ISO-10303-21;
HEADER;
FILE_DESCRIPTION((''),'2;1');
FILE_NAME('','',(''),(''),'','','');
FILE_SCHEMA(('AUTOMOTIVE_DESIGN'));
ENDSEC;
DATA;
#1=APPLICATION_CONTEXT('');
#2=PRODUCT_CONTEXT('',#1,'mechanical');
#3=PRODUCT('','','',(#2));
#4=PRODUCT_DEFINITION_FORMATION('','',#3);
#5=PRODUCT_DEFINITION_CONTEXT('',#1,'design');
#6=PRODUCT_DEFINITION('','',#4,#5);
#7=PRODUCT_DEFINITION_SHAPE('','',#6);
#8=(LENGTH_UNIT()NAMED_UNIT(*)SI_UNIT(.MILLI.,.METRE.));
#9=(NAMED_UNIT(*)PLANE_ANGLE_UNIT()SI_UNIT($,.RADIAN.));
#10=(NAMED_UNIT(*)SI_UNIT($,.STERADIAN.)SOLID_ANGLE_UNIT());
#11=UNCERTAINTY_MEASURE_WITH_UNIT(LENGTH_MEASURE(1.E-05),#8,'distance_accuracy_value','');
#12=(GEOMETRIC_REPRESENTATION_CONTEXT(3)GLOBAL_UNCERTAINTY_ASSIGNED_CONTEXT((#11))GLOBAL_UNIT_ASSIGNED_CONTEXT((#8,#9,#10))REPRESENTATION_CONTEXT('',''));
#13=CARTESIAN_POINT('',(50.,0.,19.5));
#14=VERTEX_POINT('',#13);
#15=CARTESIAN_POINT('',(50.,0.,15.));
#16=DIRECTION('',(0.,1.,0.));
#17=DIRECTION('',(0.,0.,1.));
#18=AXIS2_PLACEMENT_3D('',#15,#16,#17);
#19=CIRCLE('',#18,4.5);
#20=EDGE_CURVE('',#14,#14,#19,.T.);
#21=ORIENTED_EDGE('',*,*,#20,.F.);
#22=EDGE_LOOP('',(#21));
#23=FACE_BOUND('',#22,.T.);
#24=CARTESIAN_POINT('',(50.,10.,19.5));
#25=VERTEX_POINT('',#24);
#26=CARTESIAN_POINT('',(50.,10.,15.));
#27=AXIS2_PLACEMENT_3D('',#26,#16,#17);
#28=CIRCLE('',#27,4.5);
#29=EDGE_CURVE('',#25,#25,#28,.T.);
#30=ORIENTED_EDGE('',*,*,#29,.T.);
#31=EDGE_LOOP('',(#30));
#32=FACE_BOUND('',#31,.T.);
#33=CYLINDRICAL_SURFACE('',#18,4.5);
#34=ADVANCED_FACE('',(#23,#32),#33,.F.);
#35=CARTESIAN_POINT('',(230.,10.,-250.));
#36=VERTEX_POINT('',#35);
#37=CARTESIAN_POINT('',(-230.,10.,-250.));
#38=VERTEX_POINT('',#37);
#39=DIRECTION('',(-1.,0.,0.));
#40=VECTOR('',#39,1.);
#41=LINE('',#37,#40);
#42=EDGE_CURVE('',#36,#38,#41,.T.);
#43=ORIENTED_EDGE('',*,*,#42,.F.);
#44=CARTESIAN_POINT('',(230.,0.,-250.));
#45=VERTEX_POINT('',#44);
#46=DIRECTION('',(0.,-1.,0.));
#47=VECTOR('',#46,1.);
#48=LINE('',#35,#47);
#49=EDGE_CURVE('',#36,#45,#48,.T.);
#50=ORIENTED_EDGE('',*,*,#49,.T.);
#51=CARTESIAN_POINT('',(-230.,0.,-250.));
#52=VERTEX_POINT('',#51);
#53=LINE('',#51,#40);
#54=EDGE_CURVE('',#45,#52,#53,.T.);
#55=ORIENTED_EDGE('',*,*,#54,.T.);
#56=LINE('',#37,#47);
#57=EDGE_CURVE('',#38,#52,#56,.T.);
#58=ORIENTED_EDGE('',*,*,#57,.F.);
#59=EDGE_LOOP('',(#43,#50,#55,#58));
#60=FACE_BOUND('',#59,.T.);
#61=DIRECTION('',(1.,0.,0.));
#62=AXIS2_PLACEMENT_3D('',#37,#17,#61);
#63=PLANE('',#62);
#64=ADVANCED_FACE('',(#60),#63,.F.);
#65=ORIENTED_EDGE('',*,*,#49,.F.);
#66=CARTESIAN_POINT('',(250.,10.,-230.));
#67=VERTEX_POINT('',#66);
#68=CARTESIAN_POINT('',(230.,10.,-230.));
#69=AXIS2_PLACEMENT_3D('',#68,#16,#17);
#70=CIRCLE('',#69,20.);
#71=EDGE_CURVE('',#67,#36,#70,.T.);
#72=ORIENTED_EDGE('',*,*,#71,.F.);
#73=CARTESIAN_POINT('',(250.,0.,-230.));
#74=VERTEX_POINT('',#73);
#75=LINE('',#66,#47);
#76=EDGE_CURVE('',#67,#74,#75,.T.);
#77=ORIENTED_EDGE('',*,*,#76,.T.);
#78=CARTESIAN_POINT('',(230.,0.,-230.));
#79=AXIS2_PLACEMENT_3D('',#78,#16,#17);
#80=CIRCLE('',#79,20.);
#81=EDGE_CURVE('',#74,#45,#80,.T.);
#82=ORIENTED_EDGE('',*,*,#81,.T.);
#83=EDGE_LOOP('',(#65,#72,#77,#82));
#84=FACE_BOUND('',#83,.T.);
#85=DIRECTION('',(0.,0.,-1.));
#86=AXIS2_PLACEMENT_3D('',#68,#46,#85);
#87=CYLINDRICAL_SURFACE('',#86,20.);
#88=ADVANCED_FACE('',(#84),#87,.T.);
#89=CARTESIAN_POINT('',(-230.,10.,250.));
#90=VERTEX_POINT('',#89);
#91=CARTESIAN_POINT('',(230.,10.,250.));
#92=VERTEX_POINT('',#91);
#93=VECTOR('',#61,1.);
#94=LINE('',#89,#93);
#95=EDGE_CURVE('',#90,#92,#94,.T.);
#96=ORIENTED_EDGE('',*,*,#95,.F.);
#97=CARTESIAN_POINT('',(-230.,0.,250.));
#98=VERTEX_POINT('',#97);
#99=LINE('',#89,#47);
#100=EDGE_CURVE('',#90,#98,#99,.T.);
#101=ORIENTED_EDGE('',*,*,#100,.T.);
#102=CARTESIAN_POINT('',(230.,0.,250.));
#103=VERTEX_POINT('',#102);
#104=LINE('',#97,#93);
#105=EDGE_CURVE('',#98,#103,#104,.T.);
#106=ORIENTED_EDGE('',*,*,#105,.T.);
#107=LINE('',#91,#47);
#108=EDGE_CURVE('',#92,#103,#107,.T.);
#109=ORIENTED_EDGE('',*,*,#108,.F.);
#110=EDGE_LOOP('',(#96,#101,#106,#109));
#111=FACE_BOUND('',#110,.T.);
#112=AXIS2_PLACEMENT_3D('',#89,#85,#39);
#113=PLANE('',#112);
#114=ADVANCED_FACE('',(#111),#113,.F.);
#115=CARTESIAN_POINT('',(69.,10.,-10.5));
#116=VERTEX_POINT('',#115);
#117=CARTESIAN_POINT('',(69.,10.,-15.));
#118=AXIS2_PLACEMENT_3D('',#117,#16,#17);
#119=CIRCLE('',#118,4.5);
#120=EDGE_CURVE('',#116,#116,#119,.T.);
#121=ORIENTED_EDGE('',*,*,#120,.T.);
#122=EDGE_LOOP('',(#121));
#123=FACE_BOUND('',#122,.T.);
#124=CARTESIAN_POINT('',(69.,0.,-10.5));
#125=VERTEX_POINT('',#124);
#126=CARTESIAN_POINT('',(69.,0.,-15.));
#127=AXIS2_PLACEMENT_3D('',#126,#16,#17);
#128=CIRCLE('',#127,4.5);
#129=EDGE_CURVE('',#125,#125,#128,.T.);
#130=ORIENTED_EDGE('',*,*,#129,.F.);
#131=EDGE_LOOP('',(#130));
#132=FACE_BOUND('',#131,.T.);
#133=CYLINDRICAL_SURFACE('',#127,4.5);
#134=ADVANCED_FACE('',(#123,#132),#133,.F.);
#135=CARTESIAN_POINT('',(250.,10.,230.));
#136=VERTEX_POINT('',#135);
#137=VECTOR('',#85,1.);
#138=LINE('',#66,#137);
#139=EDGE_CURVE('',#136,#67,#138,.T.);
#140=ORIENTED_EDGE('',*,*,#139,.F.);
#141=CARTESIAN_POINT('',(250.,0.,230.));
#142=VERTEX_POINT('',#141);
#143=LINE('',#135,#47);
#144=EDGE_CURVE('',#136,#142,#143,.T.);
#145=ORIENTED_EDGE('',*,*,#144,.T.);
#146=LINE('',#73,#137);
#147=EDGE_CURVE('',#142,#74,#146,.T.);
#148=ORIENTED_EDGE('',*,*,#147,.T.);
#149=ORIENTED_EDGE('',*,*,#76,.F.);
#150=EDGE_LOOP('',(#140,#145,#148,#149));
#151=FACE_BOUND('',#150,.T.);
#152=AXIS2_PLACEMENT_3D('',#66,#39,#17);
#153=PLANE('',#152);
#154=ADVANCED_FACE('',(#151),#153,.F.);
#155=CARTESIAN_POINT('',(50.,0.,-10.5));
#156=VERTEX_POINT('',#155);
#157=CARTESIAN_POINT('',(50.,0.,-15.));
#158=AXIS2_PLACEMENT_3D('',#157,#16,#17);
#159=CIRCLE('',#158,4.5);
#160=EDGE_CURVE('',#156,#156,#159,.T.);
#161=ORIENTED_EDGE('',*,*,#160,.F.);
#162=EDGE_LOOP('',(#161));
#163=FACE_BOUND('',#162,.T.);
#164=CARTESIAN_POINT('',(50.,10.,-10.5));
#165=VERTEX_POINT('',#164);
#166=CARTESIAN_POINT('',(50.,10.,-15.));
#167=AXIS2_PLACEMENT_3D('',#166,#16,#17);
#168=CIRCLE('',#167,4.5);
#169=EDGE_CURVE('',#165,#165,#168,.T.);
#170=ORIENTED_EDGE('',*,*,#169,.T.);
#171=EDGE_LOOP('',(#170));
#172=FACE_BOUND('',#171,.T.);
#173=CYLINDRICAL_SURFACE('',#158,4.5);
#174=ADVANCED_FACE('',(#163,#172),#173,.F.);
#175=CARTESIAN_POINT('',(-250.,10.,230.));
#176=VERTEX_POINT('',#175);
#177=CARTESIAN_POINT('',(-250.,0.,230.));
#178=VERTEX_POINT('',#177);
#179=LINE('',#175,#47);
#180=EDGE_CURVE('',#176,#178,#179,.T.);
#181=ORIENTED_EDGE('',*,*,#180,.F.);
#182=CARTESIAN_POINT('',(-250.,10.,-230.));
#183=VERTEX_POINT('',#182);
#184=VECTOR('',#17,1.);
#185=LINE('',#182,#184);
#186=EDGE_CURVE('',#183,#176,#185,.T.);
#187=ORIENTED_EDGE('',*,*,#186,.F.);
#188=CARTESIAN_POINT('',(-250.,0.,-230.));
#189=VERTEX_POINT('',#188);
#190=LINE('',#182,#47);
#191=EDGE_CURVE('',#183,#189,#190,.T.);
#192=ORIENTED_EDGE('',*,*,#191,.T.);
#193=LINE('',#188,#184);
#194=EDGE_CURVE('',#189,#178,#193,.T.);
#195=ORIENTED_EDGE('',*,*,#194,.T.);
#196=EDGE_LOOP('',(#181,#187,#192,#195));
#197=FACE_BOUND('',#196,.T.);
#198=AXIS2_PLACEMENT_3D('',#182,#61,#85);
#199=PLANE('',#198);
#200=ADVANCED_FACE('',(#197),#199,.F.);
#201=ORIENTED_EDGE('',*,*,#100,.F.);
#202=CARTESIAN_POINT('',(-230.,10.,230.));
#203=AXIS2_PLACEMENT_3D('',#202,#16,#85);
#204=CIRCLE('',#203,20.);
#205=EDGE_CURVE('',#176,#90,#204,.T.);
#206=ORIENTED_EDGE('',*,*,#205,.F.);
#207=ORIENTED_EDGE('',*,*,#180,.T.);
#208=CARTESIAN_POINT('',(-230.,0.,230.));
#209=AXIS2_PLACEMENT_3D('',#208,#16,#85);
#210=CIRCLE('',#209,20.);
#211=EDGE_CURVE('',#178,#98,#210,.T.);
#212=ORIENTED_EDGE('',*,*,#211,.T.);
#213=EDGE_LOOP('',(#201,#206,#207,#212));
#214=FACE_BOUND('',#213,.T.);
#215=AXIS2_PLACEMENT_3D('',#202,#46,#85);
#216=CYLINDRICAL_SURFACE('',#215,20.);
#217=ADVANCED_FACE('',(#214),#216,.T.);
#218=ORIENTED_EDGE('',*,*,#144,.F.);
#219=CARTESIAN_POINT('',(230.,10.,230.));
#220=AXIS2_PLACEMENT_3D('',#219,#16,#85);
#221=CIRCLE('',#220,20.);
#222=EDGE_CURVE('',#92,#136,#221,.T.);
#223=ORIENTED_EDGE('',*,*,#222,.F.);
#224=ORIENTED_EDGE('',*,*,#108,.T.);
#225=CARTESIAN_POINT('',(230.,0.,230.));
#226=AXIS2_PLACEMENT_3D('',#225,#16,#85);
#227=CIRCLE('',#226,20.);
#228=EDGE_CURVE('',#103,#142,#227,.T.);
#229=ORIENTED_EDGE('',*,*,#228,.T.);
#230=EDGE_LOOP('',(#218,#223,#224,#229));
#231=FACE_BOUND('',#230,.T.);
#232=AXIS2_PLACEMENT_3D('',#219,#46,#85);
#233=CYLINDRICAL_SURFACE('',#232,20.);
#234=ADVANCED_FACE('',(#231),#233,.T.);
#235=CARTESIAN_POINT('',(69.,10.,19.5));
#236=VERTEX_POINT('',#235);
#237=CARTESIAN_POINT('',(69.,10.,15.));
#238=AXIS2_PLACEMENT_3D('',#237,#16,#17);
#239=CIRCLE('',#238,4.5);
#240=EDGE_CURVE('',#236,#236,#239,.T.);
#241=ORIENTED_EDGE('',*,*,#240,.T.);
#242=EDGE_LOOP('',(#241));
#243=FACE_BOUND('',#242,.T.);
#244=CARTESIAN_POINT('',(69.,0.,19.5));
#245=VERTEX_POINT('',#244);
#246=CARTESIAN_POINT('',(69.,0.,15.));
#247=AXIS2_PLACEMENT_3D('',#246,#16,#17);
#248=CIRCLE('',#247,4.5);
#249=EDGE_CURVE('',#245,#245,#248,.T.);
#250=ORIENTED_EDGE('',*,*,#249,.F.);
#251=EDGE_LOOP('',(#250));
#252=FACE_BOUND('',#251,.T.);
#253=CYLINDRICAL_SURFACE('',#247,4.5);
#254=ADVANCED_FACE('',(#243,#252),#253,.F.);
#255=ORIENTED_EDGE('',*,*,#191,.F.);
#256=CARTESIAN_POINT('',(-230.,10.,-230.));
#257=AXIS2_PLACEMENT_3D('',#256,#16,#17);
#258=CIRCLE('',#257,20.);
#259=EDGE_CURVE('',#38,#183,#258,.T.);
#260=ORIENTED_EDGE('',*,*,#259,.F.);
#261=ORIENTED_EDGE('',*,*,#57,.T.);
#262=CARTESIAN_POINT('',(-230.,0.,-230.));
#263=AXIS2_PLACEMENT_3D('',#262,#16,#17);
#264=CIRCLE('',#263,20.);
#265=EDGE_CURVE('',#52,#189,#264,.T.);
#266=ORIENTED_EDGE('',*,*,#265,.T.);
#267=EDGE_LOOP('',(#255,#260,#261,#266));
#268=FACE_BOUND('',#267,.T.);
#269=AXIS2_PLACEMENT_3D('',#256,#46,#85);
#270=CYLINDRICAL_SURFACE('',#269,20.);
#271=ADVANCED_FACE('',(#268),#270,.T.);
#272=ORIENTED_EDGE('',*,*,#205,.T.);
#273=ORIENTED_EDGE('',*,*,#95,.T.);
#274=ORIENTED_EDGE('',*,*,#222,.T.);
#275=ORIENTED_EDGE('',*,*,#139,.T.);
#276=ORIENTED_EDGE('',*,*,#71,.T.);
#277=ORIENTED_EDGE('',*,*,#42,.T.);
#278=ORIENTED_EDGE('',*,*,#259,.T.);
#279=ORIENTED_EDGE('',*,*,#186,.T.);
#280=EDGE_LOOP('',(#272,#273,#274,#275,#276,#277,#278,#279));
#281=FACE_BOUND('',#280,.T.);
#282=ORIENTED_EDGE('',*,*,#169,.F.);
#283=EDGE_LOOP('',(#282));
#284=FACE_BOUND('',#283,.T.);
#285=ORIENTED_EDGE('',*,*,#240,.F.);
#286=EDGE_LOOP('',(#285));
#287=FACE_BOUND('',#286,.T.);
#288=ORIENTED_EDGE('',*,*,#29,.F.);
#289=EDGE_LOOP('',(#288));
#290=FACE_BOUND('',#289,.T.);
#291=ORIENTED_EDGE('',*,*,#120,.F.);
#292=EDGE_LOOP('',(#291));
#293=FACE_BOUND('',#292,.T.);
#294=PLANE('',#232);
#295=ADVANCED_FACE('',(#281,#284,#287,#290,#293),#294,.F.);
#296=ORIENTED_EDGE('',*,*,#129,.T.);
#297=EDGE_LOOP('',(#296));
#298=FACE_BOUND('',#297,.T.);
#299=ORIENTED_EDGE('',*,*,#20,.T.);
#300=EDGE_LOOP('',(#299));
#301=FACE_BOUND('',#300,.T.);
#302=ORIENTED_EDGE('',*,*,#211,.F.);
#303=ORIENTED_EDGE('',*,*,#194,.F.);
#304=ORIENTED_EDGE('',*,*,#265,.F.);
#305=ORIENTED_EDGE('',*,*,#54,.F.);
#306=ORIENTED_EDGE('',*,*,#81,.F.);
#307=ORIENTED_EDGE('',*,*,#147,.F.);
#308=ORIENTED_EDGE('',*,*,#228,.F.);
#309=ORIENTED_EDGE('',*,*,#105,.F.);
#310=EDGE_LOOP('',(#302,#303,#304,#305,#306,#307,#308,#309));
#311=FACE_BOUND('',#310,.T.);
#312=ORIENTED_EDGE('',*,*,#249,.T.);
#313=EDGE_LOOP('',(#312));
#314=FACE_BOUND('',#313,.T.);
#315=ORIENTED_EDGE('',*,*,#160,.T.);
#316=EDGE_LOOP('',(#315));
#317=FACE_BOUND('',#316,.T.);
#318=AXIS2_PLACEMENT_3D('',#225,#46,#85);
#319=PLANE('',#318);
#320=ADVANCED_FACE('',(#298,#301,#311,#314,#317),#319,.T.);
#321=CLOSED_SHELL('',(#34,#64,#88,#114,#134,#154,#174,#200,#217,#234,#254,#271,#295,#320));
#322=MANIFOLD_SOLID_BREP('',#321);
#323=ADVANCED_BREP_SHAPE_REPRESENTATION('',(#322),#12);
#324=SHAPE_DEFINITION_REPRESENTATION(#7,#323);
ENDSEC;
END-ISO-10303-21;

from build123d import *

# Parameters (mm, degrees)
SALIENTE_EXTRUIR1_DEPTH = 10
CORTAR_EXTRUIR2_DEPTH   = 354.694783677


with BuildPart() as part:
    # Croquis1 → Saliente-Extruir1 (new body)
    with BuildSketch(Plane(origin=(0, 0, 0), x_dir=(1, 0, 0), z_dir=(0, 1, 0))):
        with BuildLine():
            Line((-230, 250), (230, 250))
            ThreePointArc((230, 250), (244.142135624, 244.142135624), (250, 230))
            Line((250, 230), (250, -230))
            ThreePointArc((250, -230), (244.142135624, -244.142135624), (230, -250))
            Line((230, -250), (-230, -250))
            ThreePointArc((-230, -250), (-244.142135624, -244.142135624), (-250, -230))
            Line((-250, -230), (-250, 230))
            ThreePointArc((-250, 230), (-244.142135624, 244.142135624), (-230, 250))
        make_face()
    extrude(amount=SALIENTE_EXTRUIR1_DEPTH)

    # Croquis4 → Cortar-Extruir2 (cut, through all)
    with BuildSketch(Plane(origin=(0, 10, 0), x_dir=(1, 0, 0), z_dir=(0, 1, 0))):
        with BuildLine():
            ThreePointArc((73.5, -15), (72.181980515, -11.818019485), (69, -10.5))
            ThreePointArc((69, -10.5), (64.5, -15), (69, -19.5))
            ThreePointArc((69, -19.5), (72.181980515, -18.181980515), (73.5, -15))
        make_face()
        with BuildLine():
            ThreePointArc((54.5, -15), (53.181980515, -11.818019485), (50, -10.5))
            ThreePointArc((50, -10.5), (45.5, -15), (50, -19.5))
            ThreePointArc((50, -19.5), (53.181980515, -18.181980515), (54.5, -15))
        make_face()
        with BuildLine():
            ThreePointArc((54.5, 15), (53.181980515, 18.181980515), (50, 19.5))
            ThreePointArc((50, 19.5), (45.5, 15), (50, 10.5))
            ThreePointArc((50, 10.5), (53.181980515, 11.818019485), (54.5, 15))
        make_face()
        with BuildLine():
            ThreePointArc((73.5, 15), (72.181980515, 18.181980515), (69, 19.5))
            ThreePointArc((69, 19.5), (64.5, 15), (69, 10.5))
            ThreePointArc((69, 10.5), (72.181980515, 11.818019485), (73.5, 15))
        make_face()
    extrude(amount=-CORTAR_EXTRUIR2_DEPTH, mode=Mode.SUBTRACT)


solid = part.part
